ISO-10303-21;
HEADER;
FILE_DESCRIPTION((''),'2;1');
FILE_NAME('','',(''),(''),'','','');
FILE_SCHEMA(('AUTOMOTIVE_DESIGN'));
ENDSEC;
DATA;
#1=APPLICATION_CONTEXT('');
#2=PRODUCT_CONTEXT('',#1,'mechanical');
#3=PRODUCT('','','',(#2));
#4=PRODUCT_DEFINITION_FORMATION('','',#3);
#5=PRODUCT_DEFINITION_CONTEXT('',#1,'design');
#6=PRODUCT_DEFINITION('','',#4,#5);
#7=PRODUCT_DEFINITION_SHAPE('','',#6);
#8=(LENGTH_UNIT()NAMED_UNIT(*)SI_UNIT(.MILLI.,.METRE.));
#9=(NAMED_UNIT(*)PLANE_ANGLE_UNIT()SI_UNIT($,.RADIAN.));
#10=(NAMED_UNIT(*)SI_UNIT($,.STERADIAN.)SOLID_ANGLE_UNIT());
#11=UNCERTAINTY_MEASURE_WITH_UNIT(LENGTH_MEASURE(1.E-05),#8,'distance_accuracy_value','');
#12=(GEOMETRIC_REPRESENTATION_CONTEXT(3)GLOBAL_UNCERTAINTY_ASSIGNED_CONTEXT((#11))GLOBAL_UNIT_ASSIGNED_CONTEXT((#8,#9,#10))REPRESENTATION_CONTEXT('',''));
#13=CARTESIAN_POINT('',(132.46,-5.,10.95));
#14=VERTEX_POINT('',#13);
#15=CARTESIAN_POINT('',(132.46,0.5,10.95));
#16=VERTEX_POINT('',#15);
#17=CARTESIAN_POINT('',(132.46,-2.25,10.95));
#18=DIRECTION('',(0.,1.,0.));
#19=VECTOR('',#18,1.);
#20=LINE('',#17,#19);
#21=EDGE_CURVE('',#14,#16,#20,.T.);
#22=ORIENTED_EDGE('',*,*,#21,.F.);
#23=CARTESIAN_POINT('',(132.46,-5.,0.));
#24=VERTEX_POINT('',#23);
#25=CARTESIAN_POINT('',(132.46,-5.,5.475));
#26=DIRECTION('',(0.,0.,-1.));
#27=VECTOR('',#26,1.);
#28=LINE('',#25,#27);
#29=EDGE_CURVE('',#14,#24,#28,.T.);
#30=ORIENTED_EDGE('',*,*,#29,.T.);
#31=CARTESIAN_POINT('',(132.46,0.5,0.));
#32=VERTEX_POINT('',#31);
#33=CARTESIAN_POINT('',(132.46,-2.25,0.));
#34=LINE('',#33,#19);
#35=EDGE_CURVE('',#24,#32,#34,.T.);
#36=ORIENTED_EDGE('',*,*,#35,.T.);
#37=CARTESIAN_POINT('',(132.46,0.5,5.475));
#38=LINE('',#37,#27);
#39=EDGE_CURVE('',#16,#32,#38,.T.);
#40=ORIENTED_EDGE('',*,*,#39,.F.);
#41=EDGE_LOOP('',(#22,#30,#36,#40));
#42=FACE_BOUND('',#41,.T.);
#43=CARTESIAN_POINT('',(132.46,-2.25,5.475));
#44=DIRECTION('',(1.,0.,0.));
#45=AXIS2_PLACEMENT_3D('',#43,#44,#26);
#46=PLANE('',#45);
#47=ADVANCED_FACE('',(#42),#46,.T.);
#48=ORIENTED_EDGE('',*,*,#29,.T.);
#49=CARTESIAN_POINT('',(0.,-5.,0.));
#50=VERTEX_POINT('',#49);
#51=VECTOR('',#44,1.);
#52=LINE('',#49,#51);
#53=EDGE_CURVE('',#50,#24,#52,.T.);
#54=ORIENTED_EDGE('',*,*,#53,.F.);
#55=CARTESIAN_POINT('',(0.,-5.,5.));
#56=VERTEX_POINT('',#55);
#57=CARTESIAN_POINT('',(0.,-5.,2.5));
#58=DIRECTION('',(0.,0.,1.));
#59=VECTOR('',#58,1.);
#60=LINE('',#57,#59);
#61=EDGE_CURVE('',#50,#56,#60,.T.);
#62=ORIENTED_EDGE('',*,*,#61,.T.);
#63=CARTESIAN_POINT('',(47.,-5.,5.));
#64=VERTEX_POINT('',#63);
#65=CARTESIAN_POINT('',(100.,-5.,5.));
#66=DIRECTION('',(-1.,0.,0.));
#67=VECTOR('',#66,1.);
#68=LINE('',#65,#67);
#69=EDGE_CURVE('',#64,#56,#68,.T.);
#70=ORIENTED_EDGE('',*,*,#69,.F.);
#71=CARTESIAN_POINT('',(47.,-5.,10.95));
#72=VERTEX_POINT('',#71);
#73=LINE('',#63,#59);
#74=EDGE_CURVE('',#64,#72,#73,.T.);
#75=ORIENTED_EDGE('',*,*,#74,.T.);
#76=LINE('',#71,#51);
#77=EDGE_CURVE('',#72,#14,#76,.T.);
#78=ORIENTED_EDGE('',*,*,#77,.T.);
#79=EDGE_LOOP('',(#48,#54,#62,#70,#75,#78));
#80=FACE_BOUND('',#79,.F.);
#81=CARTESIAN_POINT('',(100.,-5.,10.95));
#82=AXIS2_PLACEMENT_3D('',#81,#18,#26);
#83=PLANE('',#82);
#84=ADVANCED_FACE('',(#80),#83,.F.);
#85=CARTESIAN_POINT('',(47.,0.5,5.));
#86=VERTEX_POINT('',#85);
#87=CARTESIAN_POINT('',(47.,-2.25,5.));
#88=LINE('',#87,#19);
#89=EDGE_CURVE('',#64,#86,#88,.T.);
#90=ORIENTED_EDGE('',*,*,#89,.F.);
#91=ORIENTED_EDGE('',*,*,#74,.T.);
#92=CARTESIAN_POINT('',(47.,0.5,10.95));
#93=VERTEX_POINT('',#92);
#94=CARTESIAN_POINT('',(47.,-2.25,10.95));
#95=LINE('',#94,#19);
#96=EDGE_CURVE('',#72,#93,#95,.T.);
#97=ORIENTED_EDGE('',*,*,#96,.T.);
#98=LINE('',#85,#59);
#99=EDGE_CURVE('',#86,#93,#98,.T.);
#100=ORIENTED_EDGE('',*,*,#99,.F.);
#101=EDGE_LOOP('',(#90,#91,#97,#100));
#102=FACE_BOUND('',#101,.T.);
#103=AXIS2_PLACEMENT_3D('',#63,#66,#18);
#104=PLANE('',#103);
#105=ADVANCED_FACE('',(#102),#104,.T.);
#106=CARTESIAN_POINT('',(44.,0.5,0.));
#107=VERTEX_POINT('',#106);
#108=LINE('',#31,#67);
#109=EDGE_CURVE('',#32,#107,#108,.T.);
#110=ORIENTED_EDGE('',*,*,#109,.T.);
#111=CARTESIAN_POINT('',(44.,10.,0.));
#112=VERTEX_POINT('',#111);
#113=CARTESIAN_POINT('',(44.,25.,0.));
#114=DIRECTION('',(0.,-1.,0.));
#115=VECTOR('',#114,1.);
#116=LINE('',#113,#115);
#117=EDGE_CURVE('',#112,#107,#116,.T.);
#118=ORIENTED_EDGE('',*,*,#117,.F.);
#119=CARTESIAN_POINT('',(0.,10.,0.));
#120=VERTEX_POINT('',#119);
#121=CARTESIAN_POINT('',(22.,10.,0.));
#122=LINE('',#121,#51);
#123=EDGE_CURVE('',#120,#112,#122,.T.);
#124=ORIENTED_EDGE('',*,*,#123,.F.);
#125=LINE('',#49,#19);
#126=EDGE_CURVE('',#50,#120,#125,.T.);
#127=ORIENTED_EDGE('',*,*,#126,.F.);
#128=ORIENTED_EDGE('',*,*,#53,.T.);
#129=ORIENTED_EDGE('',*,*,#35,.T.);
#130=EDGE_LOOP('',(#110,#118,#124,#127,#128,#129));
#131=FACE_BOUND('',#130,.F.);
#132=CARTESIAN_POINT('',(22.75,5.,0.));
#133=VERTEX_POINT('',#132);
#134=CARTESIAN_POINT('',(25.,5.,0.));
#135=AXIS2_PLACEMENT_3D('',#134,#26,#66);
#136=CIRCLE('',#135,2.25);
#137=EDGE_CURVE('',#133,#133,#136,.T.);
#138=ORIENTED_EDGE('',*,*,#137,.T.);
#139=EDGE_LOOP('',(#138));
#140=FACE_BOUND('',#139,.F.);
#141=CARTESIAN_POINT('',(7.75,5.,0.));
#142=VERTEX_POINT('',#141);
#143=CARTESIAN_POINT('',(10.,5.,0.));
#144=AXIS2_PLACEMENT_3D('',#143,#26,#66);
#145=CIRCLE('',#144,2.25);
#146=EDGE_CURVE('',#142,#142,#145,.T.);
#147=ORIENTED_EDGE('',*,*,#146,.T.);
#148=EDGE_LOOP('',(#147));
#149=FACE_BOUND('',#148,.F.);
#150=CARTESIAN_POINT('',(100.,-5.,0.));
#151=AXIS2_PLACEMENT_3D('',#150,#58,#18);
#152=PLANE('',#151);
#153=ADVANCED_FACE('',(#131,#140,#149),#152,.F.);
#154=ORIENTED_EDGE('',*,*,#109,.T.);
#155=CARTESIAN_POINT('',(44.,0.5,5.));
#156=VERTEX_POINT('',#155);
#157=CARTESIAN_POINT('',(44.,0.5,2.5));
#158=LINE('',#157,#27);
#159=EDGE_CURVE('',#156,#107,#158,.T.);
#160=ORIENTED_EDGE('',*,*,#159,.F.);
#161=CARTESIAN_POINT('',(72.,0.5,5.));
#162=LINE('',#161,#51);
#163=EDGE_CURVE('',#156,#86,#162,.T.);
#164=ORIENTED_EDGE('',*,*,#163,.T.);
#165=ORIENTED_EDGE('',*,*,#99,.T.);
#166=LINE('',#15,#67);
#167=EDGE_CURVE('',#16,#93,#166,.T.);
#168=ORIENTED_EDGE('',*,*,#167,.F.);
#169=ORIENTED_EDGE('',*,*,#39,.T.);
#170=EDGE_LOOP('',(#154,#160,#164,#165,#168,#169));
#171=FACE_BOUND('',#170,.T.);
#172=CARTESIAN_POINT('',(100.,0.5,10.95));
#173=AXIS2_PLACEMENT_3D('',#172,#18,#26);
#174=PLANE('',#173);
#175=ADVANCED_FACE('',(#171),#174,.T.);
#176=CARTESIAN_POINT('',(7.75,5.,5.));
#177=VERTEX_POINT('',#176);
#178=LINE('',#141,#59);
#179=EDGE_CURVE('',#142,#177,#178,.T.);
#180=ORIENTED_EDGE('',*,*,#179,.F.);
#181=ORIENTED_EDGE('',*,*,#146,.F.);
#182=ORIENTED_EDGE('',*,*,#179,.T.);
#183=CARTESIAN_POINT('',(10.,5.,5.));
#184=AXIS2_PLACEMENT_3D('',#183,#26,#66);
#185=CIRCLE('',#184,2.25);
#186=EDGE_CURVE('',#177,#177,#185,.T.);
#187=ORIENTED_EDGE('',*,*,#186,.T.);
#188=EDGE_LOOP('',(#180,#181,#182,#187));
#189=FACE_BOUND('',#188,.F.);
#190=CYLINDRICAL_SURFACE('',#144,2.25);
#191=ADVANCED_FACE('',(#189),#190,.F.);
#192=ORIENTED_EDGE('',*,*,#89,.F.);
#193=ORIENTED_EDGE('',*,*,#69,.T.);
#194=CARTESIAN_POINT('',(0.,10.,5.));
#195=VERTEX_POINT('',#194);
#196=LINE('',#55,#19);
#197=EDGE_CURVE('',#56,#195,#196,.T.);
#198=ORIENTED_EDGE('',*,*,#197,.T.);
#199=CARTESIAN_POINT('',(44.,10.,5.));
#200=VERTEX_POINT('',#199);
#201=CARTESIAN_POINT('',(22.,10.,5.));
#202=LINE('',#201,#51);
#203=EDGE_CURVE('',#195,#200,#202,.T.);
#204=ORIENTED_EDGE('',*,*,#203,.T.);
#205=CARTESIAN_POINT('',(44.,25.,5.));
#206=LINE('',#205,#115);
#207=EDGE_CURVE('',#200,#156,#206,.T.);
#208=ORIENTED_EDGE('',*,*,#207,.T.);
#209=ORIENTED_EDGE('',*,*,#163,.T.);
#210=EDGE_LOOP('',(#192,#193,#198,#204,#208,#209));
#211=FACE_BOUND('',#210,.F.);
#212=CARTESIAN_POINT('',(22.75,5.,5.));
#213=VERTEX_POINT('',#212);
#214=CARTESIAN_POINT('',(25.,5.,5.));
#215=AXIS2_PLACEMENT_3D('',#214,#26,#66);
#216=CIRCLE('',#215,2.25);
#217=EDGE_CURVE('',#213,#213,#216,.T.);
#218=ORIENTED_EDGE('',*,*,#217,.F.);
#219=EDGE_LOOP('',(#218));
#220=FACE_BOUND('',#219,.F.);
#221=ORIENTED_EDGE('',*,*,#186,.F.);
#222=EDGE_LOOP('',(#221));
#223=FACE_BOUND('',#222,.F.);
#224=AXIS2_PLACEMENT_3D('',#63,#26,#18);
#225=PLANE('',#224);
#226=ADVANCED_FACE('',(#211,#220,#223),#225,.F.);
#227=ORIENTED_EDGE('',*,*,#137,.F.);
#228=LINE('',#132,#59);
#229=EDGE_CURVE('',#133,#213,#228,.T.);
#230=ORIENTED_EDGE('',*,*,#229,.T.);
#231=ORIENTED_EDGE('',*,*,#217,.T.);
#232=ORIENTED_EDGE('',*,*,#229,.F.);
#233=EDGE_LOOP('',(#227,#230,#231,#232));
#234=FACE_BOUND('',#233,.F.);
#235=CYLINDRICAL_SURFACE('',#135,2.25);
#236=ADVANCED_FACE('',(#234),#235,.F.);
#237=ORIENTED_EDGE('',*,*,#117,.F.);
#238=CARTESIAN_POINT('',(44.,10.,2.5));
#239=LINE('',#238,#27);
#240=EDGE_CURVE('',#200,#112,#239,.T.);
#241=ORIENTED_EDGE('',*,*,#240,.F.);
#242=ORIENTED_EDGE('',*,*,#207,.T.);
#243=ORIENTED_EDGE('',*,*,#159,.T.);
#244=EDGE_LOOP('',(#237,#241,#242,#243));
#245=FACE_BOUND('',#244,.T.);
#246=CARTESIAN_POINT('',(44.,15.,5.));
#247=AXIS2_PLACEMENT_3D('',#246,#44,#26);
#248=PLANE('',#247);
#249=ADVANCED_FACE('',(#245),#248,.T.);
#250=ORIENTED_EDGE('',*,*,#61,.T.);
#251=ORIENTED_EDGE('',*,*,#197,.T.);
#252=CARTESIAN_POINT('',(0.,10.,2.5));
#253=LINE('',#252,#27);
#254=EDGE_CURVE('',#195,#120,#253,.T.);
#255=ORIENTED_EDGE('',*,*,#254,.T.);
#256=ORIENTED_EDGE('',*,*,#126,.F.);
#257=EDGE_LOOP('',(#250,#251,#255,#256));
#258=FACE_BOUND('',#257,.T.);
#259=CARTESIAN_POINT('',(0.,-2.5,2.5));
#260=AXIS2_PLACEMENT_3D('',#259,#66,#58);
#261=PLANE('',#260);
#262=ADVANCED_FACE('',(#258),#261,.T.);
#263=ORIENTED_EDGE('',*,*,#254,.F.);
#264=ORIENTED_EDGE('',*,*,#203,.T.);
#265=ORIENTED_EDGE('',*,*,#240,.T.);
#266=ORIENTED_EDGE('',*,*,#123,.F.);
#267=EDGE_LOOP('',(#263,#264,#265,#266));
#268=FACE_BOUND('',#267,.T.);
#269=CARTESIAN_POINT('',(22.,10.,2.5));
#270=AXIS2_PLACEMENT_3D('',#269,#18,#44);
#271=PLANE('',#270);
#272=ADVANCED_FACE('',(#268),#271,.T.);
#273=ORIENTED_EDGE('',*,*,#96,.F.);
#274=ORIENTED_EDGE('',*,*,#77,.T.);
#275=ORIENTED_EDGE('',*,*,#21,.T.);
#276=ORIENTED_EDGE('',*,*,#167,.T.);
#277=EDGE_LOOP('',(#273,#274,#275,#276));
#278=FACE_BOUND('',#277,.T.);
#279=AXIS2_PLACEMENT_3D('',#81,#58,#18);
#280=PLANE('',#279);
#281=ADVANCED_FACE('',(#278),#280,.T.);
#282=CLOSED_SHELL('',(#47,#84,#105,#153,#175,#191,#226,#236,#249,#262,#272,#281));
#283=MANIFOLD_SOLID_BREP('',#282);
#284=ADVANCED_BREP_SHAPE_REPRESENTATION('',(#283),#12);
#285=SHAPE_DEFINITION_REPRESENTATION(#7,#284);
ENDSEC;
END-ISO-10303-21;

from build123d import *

# Parameters (mm, degrees)
SKETCH_1_W          = 100
SKETCH_1_H          = 25
EXTRUDE_1_DEPTH     = 5
SKETCH_2_W          = 53
SKETCH_2_H          = 5
EXTRUDE_2_DEPTH     = 5
SKETCH_5_W          = 56
SKETCH_5_H          = 5
CUT_EXTRUDE_1_DEPTH = 10
SKETCH_6_W          = 5
SKETCH_6_H          = 5
EXTRUDE_3_DEPTH     = 47
SKETCH_7_W          = 56
SKETCH_7_H          = 5
CUT_EXTRUDE_2_DEPTH = 14.5
SKETCH_8_W          = 53
SKETCH_8_H          = 5.5
EXTRUDE_4_DEPTH     = 5.95
SKETCH_9_W          = 10.95
SKETCH_9_H          = 5.5
EXTRUDE_5_DEPTH     = 32.46
SKETCH_11_W         = 44
SKETCH_11_H         = 5
CUT_EXTRUDE_3_DEPTH = 15
SKETCH_12_R         = 2.25
CUT_EXTRUDE_4_DEPTH = 15


with BuildPart() as part:
    # 草图1 → 凸台-拉伸1 (new body)
    with BuildSketch(Plane.XY):
        with Locations((50, 12.5)):
            Rectangle(SKETCH_1_W, SKETCH_1_H)
    extrude(amount=EXTRUDE_1_DEPTH)

    # 草图2 → 凸台-拉伸2 (add)
    with BuildSketch(Plane.XZ):
        with Locations((73.5, 2.5)):
            Rectangle(SKETCH_2_W, SKETCH_2_H)
    extrude(amount=EXTRUDE_2_DEPTH)

    # 草图5 → 切除-拉伸1 (cut)
    with BuildSketch(Plane(origin=(0, 25, 0), x_dir=(1, 0, 0), z_dir=(0, 1, 0))):
        with Locations((72, -2.5)):
            Rectangle(SKETCH_5_W, SKETCH_5_H)
    extrude(amount=-CUT_EXTRUDE_1_DEPTH, mode=Mode.SUBTRACT)

    # 草图6 → 凸台-拉伸3 (add)
    with BuildSketch(Plane.ZY.offset(-47)):
        with Locations((2.5, -2.5)):
            Rectangle(SKETCH_6_W, SKETCH_6_H)
    extrude(amount=EXTRUDE_3_DEPTH)

    # 草图7 → 切除-拉伸2 (cut)
    with BuildSketch(Plane(origin=(0, 15, 0), x_dir=(1, 0, 0), z_dir=(0, 1, 0))):
        with Locations((72, -2.5)):
            Rectangle(SKETCH_7_W, SKETCH_7_H)
    extrude(amount=-CUT_EXTRUDE_2_DEPTH, mode=Mode.SUBTRACT)

    # 草图8 → 凸台-拉伸4 (add)
    with BuildSketch(Plane.XY.offset(5)):
        with Locations((73.5, -2.25)):
            Rectangle(SKETCH_8_W, SKETCH_8_H)
    extrude(amount=EXTRUDE_4_DEPTH)

    # 草图9 → 凸台-拉伸5 (add)
    with BuildSketch(Plane(origin=(100, 0, 0), x_dir=(0, 0, -1), z_dir=(1, 0, 0))):
        with Locations((-5.475, -2.25)):
            Rectangle(SKETCH_9_W, SKETCH_9_H)
    extrude(amount=EXTRUDE_5_DEPTH)

    # 草图11 → 切除-拉伸3 (cut)
    with BuildSketch(Plane(origin=(0, 25, 0), x_dir=(1, 0, 0), z_dir=(0, 1, 0))):
        with Locations((22, -2.5)):
            Rectangle(SKETCH_11_W, SKETCH_11_H)
    extrude(amount=-CUT_EXTRUDE_3_DEPTH, mode=Mode.SUBTRACT)

    # 草图12 → 切除-拉伸4 (cut)
    with BuildSketch(Plane(origin=(0, 0, 0), x_dir=(-1, 0, 0), z_dir=(0, 0, -1))):
        with Locations((-10, 5)):
            Circle(SKETCH_12_R)
        with Locations((-25, 5)):
            Circle(SKETCH_12_R)
    extrude(amount=-CUT_EXTRUDE_4_DEPTH, mode=Mode.SUBTRACT)


solid = part.part
